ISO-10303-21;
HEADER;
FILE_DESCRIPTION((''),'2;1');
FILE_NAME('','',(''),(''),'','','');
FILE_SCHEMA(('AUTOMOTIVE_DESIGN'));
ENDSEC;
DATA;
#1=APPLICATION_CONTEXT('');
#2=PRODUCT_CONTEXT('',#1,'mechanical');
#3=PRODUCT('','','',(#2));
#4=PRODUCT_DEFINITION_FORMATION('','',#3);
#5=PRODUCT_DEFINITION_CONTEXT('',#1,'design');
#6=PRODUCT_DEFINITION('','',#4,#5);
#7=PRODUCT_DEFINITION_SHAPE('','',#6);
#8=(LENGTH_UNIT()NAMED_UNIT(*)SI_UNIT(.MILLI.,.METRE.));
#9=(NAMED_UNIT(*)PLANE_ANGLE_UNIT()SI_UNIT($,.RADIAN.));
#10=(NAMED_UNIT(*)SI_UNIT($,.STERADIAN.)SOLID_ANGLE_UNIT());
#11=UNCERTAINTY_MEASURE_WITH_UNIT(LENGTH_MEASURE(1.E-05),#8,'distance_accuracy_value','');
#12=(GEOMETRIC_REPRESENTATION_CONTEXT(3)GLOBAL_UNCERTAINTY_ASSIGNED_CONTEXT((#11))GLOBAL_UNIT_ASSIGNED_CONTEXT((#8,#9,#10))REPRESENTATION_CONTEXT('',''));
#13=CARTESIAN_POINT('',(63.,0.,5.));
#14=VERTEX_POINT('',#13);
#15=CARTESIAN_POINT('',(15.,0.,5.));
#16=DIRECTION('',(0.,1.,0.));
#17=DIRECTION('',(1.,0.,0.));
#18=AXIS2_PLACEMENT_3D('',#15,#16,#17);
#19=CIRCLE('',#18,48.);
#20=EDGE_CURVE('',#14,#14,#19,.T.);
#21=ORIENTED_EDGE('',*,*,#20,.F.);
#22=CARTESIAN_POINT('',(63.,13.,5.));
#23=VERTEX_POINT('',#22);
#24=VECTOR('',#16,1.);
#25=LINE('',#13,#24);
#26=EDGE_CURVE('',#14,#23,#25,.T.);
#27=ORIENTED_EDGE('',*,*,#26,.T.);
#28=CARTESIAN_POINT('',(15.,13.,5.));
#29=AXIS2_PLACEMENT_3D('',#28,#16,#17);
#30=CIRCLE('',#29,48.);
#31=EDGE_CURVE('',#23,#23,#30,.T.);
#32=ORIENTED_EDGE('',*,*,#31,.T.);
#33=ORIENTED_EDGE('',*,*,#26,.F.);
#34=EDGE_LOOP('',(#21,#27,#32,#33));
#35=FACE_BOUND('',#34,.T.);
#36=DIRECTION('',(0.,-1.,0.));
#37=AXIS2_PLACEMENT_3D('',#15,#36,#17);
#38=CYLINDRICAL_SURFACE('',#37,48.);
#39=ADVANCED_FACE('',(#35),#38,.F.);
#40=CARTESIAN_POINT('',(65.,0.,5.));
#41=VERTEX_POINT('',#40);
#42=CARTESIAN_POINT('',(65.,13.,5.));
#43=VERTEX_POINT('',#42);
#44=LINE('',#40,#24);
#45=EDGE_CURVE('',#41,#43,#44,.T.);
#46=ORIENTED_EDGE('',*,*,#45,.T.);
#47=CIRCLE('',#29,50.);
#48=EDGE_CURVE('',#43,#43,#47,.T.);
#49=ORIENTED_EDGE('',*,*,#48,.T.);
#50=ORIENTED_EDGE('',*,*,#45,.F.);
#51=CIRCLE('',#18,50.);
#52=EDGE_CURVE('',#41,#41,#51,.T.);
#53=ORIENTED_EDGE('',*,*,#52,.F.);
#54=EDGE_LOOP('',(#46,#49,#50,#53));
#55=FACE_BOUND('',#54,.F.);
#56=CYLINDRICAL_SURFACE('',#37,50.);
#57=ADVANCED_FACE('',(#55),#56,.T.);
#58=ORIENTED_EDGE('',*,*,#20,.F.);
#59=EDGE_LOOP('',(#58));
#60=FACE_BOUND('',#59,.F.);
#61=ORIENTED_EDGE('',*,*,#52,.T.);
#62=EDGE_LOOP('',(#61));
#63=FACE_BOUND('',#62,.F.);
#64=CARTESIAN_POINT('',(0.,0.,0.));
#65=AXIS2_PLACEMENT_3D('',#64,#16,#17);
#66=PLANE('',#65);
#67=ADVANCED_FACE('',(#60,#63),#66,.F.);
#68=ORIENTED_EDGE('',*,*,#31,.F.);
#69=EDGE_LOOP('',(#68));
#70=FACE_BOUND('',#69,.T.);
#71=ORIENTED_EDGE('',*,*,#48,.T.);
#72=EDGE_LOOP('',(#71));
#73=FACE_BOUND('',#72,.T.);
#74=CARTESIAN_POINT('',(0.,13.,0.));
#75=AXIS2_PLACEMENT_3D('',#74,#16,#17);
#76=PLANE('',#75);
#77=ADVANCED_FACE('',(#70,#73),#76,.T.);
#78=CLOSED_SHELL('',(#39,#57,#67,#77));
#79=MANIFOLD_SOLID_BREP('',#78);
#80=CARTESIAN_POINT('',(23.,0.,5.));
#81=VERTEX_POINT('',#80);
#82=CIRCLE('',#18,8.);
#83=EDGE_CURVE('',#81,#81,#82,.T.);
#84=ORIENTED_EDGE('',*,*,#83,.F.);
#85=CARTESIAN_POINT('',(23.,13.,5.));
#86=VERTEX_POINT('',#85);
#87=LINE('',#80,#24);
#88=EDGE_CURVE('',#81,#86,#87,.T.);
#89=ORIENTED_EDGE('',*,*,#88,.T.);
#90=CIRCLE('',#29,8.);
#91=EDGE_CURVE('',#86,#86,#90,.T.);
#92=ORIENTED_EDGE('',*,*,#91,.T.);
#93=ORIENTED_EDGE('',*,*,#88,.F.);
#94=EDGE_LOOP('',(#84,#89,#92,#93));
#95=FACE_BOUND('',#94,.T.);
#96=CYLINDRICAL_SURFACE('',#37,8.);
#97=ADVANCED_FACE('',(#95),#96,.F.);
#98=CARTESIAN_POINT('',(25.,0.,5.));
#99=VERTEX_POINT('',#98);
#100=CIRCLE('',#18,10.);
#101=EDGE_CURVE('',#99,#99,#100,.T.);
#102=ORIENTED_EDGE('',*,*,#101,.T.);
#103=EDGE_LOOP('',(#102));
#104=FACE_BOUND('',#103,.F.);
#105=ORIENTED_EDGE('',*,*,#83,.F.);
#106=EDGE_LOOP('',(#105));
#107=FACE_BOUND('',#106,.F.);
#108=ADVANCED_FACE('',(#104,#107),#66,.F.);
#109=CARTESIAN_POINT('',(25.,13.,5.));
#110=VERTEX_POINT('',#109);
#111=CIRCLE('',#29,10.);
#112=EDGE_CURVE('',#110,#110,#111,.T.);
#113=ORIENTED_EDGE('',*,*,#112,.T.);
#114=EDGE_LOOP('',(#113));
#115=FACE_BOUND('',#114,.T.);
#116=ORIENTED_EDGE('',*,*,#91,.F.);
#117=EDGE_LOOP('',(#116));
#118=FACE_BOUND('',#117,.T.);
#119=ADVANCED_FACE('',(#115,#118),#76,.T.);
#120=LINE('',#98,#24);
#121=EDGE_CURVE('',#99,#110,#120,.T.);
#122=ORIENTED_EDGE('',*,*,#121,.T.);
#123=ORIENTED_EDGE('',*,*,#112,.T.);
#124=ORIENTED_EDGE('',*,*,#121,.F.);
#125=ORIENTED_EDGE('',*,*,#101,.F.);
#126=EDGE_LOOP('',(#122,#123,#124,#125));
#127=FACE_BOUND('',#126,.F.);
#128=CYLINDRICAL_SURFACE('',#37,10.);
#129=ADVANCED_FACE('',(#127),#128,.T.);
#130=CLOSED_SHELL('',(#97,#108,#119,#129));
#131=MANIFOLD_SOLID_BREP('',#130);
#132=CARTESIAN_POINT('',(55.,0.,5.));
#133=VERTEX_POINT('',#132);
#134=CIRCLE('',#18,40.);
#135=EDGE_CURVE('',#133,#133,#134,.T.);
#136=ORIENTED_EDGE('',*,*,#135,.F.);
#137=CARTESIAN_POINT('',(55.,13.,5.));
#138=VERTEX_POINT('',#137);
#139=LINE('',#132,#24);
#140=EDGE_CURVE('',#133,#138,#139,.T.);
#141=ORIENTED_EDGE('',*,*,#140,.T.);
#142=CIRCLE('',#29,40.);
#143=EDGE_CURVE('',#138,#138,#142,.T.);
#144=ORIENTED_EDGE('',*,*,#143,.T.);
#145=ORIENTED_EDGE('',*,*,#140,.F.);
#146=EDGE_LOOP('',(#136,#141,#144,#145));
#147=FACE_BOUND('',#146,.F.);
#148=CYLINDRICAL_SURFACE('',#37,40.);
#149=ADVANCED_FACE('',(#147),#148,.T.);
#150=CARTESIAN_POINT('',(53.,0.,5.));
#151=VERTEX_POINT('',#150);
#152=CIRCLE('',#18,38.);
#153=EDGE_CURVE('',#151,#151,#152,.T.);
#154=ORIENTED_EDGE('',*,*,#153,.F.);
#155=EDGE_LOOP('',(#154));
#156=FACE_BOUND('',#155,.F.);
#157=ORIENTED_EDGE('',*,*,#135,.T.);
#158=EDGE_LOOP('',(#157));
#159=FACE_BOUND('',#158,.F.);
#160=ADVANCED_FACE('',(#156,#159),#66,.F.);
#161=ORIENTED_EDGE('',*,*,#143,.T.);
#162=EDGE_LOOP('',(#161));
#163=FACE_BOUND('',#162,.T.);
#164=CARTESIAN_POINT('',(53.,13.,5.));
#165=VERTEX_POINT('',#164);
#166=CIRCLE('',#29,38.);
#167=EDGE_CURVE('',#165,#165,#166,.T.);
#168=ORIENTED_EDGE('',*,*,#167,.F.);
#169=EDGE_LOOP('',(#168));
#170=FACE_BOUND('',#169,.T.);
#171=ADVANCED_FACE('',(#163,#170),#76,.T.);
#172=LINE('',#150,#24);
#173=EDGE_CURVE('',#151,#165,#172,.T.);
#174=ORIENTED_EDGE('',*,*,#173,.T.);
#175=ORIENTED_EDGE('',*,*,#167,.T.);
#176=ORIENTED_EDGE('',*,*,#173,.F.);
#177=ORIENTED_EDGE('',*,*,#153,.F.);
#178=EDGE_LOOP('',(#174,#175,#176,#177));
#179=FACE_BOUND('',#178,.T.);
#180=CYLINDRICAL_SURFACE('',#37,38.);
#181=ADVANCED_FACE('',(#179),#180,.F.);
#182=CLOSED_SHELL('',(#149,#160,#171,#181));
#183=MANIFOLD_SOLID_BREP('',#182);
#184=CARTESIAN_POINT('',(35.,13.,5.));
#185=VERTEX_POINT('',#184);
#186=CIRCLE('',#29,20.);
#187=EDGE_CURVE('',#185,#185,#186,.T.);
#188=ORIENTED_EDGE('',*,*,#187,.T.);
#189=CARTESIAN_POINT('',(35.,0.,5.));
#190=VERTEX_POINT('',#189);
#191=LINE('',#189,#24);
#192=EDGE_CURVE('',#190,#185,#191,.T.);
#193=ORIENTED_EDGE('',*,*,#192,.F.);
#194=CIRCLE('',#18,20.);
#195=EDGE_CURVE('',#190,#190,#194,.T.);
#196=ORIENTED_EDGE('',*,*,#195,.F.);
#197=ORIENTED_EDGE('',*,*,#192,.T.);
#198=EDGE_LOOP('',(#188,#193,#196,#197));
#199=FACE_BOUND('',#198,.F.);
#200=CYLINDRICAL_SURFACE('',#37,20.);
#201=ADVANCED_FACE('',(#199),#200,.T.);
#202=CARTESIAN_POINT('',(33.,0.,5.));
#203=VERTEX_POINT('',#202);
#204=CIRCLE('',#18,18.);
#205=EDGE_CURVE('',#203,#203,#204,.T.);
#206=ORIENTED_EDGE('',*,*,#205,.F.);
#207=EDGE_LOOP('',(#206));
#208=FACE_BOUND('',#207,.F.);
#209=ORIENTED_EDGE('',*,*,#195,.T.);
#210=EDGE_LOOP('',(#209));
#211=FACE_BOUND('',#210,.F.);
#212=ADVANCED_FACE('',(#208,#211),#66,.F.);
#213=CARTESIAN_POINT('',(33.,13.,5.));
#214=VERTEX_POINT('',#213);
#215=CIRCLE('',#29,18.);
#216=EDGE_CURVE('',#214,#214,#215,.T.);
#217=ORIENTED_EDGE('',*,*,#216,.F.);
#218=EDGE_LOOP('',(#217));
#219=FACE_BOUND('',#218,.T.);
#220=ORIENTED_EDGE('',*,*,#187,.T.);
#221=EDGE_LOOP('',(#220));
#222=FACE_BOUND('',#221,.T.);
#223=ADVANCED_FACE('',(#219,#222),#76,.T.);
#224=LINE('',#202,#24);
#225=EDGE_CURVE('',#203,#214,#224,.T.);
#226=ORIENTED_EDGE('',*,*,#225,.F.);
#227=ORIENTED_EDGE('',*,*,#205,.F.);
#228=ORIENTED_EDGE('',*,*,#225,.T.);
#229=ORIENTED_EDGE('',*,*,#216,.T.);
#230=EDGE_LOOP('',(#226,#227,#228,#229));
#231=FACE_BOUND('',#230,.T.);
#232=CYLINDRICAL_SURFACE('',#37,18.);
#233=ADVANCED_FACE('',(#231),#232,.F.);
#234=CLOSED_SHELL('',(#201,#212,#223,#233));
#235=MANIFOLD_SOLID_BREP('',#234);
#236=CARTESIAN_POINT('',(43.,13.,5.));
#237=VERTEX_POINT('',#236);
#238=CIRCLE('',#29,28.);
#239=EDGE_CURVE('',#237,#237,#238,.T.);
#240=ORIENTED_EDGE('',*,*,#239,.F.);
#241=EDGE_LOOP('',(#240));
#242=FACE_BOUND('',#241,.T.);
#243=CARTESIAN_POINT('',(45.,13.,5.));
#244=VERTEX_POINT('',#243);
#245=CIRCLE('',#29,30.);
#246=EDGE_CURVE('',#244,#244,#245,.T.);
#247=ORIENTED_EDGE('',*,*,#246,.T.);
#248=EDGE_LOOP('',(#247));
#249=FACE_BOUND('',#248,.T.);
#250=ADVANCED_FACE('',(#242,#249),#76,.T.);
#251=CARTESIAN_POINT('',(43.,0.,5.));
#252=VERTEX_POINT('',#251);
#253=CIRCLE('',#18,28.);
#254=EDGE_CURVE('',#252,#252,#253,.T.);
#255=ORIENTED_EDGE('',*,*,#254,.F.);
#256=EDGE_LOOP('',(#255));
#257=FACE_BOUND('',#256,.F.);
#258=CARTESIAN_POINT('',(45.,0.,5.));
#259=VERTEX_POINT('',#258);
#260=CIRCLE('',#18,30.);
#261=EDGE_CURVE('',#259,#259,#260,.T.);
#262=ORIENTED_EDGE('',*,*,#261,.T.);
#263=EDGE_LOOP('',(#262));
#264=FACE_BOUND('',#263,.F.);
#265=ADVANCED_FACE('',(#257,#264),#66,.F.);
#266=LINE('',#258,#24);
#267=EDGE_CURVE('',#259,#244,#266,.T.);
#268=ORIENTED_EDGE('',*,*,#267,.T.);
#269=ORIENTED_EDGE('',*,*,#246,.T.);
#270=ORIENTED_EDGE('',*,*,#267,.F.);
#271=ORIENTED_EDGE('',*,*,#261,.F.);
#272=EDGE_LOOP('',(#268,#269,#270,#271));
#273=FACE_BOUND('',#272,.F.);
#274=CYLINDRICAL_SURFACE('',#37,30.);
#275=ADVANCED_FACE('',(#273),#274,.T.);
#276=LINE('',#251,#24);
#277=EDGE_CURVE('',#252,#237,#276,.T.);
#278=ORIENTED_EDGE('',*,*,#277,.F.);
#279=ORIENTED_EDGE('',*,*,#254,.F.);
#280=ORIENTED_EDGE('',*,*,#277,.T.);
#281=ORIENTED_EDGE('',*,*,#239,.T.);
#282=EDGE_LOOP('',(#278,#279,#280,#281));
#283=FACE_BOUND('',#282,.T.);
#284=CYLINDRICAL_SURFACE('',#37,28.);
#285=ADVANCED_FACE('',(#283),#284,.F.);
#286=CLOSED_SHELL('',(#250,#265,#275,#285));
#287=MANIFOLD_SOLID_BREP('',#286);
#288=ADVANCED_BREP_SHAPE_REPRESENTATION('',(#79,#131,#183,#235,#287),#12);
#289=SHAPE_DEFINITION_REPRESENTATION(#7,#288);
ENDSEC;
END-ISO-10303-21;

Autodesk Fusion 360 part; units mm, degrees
sketch "Sketch1" plane through (0, 0, 0) normal (0, 1, 0) x (1, 0, 0)
  circle A0 centre (15, -5) radius 50
  circle A1 centre (15, -5) radius 48
  circle A2 centre (15, -5) radius 40
  circle A3 centre (15, -5) radius 38
  circle A4 centre (15, -5) radius 30
  circle A5 centre (15, -5) radius 28
  circle A6 centre (15, -5) radius 20
  circle A7 centre (15, -5) radius 18
  circle A8 centre (15, -5) radius 10
  circle A9 centre (15, -5) radius 8
  dimension "d2" = -2
  dimension "d4" = -2
  dimension "d6" = -2
  dimension "d8" = -2
  dimension "d10" = -2
extrude "Extrude1" add sketch "Sketch1" along normal blind 13 makes body 1 at (44.8509, 8.6667, 7.987) makes body 2 at (54.8012, 8.6667, 8.9827) makes body 3 at (34.9006, 8.6667, 6.9914) makes body 4 at (64.7515, 8.6667, 9.9784) makes body 5 at (24.9503, 8.6667, 5.9957)
